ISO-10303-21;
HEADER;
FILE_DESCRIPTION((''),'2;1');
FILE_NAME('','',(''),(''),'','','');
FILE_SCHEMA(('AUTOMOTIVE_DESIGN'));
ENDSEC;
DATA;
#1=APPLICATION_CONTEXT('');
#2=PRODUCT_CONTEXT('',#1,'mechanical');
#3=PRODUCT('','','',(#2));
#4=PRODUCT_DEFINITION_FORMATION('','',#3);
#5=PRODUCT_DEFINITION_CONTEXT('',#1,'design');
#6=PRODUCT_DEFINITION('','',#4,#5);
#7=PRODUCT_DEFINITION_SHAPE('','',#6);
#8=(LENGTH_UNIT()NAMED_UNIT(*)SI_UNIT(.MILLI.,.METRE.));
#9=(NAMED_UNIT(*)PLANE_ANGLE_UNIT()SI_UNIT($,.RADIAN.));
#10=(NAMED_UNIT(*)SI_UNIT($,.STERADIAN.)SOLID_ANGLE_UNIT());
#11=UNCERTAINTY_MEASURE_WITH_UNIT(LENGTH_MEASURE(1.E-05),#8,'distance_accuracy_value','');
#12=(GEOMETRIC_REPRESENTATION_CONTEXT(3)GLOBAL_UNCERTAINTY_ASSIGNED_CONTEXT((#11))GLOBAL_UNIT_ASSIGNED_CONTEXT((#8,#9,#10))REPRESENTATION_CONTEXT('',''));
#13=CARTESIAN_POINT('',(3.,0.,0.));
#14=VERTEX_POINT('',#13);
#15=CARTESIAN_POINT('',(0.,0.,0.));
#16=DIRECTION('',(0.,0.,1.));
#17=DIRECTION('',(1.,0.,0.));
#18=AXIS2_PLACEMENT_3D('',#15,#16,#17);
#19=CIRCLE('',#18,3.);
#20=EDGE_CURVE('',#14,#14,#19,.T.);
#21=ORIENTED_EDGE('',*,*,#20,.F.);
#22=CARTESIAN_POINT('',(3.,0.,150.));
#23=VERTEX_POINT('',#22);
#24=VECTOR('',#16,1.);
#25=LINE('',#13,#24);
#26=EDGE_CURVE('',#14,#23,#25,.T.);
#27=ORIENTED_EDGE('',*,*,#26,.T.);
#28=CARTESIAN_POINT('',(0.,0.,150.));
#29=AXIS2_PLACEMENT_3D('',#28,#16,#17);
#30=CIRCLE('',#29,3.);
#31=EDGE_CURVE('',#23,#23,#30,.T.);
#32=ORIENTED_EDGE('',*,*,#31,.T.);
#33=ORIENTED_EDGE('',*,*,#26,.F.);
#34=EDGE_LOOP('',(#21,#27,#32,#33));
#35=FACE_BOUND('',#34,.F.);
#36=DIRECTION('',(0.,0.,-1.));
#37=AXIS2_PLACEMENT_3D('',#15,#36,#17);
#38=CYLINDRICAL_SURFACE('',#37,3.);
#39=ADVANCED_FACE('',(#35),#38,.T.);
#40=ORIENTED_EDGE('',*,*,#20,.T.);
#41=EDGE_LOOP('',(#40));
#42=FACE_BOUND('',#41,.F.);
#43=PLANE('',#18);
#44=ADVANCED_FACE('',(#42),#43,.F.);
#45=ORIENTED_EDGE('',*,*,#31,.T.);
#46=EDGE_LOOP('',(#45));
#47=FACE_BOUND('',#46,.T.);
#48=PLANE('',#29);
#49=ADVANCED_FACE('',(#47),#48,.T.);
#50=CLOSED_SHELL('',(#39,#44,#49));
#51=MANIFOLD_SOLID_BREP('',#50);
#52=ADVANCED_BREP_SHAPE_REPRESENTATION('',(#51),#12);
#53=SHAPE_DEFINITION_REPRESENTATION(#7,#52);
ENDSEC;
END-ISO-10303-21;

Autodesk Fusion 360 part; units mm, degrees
sketch "Sketch1" plane through (0, 0, 0) normal (0, 0, 1) x (1, 0, 0)
  circle A0 centre (0, 0) radius 3
  dimension "d1" = 6
extrude "Extrude1" add sketch "Sketch1" along normal blind 150
